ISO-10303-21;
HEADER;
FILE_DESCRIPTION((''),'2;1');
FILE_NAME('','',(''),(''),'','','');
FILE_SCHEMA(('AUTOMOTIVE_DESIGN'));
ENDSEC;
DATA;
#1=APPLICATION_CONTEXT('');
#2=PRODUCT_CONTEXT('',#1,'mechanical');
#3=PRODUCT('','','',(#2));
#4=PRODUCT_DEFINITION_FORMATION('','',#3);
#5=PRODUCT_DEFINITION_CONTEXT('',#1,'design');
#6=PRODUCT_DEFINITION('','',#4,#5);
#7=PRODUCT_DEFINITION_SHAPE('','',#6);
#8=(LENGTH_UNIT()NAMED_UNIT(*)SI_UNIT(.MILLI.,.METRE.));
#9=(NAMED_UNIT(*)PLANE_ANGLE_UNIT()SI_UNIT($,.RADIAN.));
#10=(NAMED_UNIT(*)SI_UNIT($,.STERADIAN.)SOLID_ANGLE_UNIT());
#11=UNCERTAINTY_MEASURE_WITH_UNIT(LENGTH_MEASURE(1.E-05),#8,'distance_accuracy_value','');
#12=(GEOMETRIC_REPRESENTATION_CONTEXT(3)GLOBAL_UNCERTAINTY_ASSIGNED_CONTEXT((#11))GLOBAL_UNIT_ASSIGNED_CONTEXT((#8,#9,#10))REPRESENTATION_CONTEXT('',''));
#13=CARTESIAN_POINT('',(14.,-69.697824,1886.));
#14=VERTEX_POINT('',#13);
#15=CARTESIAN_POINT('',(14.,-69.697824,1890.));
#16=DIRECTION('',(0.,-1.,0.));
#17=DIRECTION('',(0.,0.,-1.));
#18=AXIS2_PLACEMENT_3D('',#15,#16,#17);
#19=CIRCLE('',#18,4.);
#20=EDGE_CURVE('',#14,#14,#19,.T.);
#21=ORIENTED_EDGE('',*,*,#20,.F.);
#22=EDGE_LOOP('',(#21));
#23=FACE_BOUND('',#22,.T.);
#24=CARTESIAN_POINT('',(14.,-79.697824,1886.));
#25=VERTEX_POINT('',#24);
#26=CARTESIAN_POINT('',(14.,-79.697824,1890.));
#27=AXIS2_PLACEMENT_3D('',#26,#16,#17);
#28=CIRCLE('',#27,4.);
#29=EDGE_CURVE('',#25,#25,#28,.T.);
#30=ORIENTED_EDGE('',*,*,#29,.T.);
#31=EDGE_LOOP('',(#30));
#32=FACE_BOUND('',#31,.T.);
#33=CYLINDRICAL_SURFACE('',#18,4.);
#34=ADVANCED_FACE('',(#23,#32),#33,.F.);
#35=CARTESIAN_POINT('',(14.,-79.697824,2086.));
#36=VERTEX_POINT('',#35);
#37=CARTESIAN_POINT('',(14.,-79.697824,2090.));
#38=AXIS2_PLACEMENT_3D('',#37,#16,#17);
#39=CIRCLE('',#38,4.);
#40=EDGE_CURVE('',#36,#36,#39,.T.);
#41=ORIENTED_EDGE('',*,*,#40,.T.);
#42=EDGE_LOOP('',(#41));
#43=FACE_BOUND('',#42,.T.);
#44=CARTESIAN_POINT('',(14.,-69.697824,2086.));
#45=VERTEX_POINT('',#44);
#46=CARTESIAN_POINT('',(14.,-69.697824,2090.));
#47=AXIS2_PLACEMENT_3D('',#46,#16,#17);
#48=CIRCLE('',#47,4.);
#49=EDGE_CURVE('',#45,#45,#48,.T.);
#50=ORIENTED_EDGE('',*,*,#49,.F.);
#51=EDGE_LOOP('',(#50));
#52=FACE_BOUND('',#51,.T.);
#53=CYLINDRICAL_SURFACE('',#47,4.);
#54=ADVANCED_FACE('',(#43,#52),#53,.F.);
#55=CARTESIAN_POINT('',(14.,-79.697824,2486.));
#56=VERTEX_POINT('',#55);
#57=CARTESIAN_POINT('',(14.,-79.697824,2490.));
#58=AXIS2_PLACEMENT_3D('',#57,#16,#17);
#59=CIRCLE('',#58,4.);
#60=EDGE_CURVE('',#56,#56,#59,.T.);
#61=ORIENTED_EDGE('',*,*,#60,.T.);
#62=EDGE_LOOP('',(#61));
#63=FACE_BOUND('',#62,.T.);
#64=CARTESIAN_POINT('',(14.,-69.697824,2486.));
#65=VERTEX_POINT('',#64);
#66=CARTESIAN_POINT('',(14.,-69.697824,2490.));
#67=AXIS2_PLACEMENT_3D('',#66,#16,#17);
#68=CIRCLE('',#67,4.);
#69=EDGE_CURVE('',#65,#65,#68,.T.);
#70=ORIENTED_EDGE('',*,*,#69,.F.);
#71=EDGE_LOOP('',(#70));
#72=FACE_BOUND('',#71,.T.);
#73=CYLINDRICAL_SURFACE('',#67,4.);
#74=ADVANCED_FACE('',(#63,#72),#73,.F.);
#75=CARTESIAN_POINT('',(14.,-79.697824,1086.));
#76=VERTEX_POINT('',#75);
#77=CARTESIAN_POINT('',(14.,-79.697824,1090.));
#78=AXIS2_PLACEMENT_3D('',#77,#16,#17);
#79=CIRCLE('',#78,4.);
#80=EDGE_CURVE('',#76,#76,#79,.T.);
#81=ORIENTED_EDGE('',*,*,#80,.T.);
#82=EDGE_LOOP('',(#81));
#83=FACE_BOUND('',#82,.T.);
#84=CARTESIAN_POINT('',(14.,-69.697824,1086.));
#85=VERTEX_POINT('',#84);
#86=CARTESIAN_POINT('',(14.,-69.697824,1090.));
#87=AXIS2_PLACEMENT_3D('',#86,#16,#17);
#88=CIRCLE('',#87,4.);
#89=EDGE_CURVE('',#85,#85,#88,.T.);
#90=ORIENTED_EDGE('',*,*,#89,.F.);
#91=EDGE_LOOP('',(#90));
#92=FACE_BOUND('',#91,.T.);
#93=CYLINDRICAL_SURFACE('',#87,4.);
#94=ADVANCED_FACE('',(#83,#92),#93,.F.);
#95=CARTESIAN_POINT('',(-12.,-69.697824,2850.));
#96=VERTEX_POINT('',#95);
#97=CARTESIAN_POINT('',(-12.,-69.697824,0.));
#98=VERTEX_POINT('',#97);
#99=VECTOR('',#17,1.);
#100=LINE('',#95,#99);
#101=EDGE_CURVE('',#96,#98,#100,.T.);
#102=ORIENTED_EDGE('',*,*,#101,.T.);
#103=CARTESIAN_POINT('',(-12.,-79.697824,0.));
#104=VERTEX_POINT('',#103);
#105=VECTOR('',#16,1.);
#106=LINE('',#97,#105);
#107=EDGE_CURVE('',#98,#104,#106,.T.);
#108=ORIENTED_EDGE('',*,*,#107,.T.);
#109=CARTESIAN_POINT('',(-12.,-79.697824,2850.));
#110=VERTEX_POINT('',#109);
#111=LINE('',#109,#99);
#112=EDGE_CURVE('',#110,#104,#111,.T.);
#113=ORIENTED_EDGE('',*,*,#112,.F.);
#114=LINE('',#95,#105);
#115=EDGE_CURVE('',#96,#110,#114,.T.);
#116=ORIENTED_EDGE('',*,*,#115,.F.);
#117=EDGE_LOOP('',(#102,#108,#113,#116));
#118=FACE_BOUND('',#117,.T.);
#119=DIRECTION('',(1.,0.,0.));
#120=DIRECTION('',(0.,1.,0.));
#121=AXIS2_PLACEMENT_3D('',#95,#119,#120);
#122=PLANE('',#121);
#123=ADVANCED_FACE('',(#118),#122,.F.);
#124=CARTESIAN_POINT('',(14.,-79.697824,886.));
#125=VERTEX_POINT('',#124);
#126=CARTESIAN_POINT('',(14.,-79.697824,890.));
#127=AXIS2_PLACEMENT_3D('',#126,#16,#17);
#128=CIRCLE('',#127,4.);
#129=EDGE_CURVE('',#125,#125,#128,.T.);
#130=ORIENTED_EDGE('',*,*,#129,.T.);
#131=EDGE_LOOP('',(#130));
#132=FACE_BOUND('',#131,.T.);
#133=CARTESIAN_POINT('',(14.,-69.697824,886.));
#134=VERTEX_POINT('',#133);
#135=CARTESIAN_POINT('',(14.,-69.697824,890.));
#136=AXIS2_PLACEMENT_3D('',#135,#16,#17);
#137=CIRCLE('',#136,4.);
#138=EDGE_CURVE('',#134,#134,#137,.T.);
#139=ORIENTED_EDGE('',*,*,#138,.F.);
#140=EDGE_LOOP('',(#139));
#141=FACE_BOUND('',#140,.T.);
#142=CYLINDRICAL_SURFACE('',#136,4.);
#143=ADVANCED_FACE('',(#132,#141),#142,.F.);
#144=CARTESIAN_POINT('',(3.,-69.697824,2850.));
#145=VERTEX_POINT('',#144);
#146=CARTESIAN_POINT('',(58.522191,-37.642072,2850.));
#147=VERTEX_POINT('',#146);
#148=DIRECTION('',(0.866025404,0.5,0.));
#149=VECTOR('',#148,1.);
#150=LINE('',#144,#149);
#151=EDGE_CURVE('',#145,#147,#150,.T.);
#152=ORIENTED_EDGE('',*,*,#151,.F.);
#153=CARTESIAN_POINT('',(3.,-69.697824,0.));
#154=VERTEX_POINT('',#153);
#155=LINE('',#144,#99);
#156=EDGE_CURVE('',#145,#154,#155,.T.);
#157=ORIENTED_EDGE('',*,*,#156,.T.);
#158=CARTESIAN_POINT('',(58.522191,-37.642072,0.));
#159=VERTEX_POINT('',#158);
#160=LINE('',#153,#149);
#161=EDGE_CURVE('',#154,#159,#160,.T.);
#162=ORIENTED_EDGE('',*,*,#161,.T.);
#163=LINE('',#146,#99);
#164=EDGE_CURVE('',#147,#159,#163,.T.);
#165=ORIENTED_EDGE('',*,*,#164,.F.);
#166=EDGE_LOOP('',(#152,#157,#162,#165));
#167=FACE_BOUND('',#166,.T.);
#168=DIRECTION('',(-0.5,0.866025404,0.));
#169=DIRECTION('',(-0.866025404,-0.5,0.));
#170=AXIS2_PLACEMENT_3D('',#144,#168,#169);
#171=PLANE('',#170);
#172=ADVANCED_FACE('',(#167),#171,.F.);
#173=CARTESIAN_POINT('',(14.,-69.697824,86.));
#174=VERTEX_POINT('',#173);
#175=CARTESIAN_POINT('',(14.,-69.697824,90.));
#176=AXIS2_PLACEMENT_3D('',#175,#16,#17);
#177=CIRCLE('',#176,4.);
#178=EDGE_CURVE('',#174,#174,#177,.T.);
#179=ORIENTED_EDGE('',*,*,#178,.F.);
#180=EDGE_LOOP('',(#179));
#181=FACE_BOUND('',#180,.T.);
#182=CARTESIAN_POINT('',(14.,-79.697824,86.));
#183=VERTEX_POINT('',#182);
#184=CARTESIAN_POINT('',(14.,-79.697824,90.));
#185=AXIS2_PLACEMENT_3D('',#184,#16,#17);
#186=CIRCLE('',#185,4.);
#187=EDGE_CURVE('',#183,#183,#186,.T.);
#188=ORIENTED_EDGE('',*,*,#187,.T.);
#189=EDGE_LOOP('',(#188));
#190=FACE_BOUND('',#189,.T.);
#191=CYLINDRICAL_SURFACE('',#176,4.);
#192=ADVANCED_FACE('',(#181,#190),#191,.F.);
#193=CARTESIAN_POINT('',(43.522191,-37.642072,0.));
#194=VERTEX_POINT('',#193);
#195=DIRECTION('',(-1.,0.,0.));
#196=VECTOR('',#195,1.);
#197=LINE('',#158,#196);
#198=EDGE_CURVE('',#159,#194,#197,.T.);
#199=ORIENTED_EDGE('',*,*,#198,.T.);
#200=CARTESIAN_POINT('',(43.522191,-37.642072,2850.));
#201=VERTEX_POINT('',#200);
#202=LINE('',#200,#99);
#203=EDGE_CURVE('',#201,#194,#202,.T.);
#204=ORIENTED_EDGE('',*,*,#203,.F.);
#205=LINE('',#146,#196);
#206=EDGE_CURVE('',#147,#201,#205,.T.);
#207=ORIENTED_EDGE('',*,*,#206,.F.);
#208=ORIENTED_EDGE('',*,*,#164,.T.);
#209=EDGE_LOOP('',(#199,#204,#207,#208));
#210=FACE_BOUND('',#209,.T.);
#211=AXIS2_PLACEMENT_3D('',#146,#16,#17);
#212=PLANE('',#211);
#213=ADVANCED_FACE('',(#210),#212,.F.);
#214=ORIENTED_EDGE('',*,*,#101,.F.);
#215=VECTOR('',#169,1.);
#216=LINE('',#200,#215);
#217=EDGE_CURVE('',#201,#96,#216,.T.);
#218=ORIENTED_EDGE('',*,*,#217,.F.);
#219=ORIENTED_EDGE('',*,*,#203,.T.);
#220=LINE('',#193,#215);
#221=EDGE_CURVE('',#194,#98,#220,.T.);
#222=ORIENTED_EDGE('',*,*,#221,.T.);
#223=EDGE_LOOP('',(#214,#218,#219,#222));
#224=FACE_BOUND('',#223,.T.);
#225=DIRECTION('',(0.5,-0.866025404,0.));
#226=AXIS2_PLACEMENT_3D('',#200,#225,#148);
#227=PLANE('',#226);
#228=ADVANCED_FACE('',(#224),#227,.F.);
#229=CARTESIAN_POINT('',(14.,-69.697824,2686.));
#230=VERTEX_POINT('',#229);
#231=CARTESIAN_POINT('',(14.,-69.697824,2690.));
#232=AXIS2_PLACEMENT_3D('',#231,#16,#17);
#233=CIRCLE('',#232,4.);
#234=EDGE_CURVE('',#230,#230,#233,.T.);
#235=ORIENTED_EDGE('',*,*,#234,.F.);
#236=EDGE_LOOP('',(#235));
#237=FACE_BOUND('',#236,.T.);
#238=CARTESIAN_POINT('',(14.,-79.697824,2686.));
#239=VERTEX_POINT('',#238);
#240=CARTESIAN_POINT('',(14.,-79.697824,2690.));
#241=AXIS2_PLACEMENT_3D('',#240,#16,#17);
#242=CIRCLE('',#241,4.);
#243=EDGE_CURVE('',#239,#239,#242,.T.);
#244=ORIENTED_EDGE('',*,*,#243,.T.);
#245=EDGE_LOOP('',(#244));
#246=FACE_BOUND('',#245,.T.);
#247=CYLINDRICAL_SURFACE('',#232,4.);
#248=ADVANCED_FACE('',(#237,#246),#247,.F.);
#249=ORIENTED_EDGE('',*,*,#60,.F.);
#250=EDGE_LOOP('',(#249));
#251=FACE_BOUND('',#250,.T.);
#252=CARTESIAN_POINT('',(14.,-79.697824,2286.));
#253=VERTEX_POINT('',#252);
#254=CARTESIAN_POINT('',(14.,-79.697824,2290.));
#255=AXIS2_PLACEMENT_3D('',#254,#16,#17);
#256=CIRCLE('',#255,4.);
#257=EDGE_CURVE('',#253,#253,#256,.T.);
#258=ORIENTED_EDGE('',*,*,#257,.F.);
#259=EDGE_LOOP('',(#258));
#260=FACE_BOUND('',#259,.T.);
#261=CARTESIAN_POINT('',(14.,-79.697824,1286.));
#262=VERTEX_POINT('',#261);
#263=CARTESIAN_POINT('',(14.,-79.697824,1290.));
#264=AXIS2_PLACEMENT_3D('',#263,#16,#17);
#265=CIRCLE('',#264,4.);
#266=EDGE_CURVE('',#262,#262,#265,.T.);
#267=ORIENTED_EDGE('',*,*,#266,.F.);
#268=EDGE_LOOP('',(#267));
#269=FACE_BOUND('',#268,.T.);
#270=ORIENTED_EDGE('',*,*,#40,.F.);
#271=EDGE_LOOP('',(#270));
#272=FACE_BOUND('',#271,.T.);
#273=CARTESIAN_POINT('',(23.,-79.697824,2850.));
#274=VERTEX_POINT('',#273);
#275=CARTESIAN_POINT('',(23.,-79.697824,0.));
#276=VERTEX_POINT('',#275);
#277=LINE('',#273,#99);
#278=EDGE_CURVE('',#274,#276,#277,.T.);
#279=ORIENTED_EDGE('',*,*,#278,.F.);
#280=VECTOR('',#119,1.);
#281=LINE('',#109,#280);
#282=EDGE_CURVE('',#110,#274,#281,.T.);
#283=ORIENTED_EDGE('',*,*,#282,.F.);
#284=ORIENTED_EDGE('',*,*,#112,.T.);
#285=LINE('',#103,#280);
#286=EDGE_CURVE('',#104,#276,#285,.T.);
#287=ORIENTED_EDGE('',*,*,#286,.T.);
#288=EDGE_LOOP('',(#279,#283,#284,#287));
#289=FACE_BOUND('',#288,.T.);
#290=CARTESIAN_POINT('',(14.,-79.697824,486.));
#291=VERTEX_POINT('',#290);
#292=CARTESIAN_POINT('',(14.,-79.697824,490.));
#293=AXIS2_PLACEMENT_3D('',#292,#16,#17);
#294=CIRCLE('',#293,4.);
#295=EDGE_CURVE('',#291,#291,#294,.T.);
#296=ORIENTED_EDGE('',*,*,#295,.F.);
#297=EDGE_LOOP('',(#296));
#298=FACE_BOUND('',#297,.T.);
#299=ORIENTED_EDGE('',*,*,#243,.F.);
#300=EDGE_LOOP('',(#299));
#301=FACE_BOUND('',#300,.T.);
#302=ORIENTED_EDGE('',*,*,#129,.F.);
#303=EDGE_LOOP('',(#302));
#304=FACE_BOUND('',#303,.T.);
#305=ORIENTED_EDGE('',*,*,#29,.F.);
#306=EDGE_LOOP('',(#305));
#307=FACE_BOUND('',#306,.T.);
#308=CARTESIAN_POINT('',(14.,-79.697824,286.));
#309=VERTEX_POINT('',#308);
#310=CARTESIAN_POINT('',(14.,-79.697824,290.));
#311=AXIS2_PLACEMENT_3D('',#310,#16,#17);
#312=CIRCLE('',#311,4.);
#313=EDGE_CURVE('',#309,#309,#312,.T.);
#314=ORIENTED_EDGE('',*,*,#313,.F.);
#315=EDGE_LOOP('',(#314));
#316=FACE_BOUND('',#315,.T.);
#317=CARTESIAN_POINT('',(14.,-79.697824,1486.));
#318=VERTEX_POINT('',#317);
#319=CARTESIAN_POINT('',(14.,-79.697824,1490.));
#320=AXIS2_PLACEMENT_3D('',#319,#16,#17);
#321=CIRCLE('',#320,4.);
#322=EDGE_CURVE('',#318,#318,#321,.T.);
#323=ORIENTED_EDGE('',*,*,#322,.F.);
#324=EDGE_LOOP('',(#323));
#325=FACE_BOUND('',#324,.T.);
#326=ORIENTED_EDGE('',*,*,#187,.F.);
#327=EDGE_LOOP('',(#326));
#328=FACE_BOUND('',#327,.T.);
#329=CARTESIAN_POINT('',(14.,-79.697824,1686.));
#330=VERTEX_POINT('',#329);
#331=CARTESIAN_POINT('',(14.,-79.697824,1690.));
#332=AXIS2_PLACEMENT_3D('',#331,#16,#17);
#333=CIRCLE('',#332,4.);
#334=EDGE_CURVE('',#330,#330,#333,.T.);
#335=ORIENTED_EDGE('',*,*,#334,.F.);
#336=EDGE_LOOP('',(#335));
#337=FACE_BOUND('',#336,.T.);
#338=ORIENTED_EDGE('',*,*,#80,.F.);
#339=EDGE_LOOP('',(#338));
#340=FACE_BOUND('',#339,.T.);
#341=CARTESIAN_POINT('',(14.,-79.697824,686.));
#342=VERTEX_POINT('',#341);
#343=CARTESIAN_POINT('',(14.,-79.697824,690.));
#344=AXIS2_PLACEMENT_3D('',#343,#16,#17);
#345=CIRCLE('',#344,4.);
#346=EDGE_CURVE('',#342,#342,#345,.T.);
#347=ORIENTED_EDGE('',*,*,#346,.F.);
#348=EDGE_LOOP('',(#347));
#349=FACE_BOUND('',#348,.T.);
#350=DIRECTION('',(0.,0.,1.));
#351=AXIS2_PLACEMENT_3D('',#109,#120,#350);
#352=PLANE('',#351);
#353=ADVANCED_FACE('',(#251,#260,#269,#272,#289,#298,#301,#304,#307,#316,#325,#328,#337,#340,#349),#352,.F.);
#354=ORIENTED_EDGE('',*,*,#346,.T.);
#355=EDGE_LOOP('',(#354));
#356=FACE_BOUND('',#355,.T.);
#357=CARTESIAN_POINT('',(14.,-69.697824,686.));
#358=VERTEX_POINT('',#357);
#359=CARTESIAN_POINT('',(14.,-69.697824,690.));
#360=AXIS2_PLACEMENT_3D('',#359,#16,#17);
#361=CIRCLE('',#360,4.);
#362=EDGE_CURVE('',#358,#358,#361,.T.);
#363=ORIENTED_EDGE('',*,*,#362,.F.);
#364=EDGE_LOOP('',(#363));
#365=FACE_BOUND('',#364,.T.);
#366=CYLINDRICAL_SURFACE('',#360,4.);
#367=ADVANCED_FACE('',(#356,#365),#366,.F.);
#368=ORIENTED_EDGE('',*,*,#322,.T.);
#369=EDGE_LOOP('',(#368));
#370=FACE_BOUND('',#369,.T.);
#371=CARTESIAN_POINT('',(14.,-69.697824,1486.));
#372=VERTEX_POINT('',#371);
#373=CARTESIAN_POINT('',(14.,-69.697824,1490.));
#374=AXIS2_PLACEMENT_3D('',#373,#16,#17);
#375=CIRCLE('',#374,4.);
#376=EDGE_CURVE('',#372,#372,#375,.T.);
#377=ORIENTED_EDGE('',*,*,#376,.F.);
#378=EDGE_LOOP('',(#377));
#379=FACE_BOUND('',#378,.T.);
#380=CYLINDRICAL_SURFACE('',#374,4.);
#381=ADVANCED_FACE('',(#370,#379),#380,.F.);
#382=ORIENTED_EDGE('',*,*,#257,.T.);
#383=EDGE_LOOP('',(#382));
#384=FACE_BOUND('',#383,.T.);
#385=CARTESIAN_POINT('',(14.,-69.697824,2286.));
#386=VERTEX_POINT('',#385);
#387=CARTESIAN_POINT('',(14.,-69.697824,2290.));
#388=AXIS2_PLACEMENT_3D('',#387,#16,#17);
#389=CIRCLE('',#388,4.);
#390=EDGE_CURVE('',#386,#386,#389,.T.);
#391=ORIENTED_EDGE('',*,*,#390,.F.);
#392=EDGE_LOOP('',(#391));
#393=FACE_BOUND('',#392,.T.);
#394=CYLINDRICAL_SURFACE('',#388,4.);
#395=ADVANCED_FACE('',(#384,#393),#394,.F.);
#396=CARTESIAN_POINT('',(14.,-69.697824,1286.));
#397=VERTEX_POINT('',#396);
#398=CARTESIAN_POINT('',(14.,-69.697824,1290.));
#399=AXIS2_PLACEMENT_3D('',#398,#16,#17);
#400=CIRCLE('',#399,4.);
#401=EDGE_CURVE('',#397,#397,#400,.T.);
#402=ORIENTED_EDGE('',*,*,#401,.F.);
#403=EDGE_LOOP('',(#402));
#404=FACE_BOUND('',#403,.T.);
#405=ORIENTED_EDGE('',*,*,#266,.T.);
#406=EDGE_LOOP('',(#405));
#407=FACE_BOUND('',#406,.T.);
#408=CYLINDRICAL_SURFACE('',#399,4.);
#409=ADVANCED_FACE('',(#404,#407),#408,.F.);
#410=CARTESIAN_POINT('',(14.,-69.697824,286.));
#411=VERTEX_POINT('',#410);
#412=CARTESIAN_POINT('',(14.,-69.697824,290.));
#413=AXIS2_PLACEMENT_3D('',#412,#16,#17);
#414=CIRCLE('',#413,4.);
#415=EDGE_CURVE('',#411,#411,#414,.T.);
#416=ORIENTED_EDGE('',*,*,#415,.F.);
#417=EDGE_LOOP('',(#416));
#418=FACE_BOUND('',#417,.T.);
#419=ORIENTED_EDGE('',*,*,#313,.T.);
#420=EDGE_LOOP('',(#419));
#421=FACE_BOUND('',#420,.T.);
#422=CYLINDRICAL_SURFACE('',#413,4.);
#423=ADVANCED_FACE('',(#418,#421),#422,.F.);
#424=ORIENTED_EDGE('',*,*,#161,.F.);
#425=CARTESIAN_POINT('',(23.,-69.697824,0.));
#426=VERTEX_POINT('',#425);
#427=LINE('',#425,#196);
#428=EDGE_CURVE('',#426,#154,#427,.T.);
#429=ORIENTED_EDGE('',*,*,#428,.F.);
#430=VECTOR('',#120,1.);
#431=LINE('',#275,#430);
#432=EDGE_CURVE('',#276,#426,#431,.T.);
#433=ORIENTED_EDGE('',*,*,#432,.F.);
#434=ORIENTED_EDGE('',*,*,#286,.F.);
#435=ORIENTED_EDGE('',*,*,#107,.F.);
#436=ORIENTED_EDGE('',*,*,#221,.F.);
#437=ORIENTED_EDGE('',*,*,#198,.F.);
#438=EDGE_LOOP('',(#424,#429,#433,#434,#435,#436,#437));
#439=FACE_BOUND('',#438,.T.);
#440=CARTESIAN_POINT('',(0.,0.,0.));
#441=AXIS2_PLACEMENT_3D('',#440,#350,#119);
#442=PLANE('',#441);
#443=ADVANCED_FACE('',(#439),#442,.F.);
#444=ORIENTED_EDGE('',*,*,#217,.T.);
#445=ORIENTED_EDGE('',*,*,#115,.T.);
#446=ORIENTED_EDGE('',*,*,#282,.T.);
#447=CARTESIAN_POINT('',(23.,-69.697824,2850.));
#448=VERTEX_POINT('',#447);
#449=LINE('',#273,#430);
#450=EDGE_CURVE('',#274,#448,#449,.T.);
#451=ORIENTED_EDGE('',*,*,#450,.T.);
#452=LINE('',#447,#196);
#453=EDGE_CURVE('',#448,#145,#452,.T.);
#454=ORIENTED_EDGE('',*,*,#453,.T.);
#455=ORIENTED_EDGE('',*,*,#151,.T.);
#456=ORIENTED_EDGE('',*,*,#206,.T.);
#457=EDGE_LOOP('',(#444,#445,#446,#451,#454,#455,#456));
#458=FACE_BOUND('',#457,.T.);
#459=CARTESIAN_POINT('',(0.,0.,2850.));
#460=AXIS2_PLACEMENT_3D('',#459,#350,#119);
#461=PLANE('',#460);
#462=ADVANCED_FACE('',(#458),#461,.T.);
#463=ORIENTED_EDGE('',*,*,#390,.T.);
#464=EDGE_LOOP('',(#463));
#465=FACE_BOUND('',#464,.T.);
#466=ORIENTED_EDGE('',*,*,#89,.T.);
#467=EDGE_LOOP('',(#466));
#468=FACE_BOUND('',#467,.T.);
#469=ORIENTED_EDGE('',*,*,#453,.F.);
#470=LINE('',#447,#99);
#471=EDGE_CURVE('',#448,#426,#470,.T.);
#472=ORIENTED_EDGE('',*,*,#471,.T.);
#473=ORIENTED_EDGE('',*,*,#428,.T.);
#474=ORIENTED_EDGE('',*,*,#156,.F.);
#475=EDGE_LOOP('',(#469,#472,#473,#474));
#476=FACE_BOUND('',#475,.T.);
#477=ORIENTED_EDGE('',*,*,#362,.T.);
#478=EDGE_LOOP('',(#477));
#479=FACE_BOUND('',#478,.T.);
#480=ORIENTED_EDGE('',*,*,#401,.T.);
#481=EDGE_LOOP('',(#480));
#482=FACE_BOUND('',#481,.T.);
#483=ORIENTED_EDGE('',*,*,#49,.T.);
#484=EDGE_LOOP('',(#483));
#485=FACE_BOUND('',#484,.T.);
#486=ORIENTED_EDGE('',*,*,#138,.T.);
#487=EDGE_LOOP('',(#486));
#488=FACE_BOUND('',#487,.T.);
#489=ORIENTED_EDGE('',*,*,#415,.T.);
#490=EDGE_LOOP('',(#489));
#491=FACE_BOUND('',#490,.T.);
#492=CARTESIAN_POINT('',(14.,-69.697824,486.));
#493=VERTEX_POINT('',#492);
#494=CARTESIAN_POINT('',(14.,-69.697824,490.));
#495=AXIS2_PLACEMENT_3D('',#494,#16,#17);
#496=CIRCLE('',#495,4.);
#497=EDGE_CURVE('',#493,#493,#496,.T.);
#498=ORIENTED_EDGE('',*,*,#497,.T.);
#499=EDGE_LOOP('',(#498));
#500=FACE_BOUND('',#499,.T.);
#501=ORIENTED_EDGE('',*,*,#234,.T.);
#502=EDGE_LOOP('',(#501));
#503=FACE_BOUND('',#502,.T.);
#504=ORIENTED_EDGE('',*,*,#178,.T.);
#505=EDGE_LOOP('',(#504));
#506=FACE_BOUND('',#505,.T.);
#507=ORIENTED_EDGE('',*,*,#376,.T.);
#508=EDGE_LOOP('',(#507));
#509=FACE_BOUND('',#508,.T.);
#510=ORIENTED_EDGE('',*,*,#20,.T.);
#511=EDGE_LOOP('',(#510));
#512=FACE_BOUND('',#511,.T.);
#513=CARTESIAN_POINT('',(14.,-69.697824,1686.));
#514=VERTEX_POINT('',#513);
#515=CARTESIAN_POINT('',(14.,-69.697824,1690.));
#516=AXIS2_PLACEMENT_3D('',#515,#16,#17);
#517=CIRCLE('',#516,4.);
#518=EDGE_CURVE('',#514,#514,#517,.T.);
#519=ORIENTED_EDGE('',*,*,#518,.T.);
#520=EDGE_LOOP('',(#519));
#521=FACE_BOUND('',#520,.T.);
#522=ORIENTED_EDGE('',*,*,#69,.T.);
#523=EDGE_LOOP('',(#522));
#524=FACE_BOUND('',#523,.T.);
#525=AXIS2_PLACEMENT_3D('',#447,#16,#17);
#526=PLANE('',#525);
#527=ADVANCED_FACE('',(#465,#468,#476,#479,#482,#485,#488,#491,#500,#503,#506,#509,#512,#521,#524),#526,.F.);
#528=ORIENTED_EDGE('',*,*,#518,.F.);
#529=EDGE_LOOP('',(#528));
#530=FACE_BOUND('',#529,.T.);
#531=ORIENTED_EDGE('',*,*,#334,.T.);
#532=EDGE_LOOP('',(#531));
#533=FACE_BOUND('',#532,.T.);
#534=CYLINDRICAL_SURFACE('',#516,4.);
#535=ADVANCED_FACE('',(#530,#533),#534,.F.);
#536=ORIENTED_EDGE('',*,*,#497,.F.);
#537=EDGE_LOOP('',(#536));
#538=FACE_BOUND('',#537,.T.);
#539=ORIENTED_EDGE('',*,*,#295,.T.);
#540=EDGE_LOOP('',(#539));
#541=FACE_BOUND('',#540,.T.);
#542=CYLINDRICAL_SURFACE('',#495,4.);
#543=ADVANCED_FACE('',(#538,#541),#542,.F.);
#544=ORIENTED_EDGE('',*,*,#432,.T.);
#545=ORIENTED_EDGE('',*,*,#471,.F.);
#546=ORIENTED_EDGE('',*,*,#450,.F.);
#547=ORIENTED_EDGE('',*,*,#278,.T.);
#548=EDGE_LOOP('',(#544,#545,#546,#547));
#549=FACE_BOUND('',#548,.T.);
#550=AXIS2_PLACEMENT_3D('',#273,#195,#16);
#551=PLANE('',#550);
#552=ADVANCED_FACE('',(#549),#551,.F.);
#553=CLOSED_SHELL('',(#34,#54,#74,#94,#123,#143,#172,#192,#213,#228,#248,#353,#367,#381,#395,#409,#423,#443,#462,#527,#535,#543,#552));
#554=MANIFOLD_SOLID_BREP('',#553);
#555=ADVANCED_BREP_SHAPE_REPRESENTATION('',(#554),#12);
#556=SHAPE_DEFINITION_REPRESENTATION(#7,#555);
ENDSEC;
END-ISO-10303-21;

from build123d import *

# Parameters (mm, degrees)
BOSS_EXTRU_1_DEPTH      = 2850
ESQUISSE3_R             = 4
ENL_V_MAT_EXTRU_1_DEPTH = 10


with BuildPart() as part:
    # Esquisse1 → Boss.-Extru.1 (new body)
    with BuildSketch(Plane.XY):
        Polygon((-12, -79.697824129), (23, -79.697824129), (23, -69.697824129), (3, -69.697824129), (58.522190754, -37.642072351), (43.522190754, -37.642072351), (-12, -69.697824129), align=None)
    extrude(amount=BOSS_EXTRU_1_DEPTH)

    # Esquisse3 → Enlèv. mat.-Extru.1 (cut)
    with BuildSketch(Plane.XZ.offset(79.697824129)):
        with Locations(Location((14, 90, 0), (0, 0, 270))):
            Circle(ESQUISSE3_R)
        with Locations(Location((14, 290, 0), (0, 0, 270))):
            Circle(ESQUISSE3_R)
        with Locations(Location((14, 490, 0), (0, 0, 270))):
            Circle(ESQUISSE3_R)
        with Locations(Location((14, 690, 0), (0, 0, 270))):
            Circle(ESQUISSE3_R)
        with Locations(Location((14, 890, 0), (0, 0, 270))):
            Circle(ESQUISSE3_R)
        with Locations(Location((14, 1090, 0), (0, 0, 270))):
            Circle(ESQUISSE3_R)
        with Locations(Location((14, 1290, 0), (0, 0, 270))):
            Circle(ESQUISSE3_R)
        with Locations(Location((14, 1490, 0), (0, 0, 270))):
            Circle(ESQUISSE3_R)
        with Locations(Location((14, 1690, 0), (0, 0, 270))):
            Circle(ESQUISSE3_R)
        with Locations(Location((14, 1890, 0), (0, 0, 270))):
            Circle(ESQUISSE3_R)
        with Locations(Location((14, 2090, 0), (0, 0, 270))):
            Circle(ESQUISSE3_R)
        with Locations(Location((14, 2290, 0), (0, 0, 270))):
            Circle(ESQUISSE3_R)
        with Locations(Location((14, 2490, 0), (0, 0, 270))):
            Circle(ESQUISSE3_R)
        with Locations(Location((14, 2690, 0), (0, 0, 270))):
            Circle(ESQUISSE3_R)
    extrude(amount=-ENL_V_MAT_EXTRU_1_DEPTH, mode=Mode.SUBTRACT)


solid = part.part
